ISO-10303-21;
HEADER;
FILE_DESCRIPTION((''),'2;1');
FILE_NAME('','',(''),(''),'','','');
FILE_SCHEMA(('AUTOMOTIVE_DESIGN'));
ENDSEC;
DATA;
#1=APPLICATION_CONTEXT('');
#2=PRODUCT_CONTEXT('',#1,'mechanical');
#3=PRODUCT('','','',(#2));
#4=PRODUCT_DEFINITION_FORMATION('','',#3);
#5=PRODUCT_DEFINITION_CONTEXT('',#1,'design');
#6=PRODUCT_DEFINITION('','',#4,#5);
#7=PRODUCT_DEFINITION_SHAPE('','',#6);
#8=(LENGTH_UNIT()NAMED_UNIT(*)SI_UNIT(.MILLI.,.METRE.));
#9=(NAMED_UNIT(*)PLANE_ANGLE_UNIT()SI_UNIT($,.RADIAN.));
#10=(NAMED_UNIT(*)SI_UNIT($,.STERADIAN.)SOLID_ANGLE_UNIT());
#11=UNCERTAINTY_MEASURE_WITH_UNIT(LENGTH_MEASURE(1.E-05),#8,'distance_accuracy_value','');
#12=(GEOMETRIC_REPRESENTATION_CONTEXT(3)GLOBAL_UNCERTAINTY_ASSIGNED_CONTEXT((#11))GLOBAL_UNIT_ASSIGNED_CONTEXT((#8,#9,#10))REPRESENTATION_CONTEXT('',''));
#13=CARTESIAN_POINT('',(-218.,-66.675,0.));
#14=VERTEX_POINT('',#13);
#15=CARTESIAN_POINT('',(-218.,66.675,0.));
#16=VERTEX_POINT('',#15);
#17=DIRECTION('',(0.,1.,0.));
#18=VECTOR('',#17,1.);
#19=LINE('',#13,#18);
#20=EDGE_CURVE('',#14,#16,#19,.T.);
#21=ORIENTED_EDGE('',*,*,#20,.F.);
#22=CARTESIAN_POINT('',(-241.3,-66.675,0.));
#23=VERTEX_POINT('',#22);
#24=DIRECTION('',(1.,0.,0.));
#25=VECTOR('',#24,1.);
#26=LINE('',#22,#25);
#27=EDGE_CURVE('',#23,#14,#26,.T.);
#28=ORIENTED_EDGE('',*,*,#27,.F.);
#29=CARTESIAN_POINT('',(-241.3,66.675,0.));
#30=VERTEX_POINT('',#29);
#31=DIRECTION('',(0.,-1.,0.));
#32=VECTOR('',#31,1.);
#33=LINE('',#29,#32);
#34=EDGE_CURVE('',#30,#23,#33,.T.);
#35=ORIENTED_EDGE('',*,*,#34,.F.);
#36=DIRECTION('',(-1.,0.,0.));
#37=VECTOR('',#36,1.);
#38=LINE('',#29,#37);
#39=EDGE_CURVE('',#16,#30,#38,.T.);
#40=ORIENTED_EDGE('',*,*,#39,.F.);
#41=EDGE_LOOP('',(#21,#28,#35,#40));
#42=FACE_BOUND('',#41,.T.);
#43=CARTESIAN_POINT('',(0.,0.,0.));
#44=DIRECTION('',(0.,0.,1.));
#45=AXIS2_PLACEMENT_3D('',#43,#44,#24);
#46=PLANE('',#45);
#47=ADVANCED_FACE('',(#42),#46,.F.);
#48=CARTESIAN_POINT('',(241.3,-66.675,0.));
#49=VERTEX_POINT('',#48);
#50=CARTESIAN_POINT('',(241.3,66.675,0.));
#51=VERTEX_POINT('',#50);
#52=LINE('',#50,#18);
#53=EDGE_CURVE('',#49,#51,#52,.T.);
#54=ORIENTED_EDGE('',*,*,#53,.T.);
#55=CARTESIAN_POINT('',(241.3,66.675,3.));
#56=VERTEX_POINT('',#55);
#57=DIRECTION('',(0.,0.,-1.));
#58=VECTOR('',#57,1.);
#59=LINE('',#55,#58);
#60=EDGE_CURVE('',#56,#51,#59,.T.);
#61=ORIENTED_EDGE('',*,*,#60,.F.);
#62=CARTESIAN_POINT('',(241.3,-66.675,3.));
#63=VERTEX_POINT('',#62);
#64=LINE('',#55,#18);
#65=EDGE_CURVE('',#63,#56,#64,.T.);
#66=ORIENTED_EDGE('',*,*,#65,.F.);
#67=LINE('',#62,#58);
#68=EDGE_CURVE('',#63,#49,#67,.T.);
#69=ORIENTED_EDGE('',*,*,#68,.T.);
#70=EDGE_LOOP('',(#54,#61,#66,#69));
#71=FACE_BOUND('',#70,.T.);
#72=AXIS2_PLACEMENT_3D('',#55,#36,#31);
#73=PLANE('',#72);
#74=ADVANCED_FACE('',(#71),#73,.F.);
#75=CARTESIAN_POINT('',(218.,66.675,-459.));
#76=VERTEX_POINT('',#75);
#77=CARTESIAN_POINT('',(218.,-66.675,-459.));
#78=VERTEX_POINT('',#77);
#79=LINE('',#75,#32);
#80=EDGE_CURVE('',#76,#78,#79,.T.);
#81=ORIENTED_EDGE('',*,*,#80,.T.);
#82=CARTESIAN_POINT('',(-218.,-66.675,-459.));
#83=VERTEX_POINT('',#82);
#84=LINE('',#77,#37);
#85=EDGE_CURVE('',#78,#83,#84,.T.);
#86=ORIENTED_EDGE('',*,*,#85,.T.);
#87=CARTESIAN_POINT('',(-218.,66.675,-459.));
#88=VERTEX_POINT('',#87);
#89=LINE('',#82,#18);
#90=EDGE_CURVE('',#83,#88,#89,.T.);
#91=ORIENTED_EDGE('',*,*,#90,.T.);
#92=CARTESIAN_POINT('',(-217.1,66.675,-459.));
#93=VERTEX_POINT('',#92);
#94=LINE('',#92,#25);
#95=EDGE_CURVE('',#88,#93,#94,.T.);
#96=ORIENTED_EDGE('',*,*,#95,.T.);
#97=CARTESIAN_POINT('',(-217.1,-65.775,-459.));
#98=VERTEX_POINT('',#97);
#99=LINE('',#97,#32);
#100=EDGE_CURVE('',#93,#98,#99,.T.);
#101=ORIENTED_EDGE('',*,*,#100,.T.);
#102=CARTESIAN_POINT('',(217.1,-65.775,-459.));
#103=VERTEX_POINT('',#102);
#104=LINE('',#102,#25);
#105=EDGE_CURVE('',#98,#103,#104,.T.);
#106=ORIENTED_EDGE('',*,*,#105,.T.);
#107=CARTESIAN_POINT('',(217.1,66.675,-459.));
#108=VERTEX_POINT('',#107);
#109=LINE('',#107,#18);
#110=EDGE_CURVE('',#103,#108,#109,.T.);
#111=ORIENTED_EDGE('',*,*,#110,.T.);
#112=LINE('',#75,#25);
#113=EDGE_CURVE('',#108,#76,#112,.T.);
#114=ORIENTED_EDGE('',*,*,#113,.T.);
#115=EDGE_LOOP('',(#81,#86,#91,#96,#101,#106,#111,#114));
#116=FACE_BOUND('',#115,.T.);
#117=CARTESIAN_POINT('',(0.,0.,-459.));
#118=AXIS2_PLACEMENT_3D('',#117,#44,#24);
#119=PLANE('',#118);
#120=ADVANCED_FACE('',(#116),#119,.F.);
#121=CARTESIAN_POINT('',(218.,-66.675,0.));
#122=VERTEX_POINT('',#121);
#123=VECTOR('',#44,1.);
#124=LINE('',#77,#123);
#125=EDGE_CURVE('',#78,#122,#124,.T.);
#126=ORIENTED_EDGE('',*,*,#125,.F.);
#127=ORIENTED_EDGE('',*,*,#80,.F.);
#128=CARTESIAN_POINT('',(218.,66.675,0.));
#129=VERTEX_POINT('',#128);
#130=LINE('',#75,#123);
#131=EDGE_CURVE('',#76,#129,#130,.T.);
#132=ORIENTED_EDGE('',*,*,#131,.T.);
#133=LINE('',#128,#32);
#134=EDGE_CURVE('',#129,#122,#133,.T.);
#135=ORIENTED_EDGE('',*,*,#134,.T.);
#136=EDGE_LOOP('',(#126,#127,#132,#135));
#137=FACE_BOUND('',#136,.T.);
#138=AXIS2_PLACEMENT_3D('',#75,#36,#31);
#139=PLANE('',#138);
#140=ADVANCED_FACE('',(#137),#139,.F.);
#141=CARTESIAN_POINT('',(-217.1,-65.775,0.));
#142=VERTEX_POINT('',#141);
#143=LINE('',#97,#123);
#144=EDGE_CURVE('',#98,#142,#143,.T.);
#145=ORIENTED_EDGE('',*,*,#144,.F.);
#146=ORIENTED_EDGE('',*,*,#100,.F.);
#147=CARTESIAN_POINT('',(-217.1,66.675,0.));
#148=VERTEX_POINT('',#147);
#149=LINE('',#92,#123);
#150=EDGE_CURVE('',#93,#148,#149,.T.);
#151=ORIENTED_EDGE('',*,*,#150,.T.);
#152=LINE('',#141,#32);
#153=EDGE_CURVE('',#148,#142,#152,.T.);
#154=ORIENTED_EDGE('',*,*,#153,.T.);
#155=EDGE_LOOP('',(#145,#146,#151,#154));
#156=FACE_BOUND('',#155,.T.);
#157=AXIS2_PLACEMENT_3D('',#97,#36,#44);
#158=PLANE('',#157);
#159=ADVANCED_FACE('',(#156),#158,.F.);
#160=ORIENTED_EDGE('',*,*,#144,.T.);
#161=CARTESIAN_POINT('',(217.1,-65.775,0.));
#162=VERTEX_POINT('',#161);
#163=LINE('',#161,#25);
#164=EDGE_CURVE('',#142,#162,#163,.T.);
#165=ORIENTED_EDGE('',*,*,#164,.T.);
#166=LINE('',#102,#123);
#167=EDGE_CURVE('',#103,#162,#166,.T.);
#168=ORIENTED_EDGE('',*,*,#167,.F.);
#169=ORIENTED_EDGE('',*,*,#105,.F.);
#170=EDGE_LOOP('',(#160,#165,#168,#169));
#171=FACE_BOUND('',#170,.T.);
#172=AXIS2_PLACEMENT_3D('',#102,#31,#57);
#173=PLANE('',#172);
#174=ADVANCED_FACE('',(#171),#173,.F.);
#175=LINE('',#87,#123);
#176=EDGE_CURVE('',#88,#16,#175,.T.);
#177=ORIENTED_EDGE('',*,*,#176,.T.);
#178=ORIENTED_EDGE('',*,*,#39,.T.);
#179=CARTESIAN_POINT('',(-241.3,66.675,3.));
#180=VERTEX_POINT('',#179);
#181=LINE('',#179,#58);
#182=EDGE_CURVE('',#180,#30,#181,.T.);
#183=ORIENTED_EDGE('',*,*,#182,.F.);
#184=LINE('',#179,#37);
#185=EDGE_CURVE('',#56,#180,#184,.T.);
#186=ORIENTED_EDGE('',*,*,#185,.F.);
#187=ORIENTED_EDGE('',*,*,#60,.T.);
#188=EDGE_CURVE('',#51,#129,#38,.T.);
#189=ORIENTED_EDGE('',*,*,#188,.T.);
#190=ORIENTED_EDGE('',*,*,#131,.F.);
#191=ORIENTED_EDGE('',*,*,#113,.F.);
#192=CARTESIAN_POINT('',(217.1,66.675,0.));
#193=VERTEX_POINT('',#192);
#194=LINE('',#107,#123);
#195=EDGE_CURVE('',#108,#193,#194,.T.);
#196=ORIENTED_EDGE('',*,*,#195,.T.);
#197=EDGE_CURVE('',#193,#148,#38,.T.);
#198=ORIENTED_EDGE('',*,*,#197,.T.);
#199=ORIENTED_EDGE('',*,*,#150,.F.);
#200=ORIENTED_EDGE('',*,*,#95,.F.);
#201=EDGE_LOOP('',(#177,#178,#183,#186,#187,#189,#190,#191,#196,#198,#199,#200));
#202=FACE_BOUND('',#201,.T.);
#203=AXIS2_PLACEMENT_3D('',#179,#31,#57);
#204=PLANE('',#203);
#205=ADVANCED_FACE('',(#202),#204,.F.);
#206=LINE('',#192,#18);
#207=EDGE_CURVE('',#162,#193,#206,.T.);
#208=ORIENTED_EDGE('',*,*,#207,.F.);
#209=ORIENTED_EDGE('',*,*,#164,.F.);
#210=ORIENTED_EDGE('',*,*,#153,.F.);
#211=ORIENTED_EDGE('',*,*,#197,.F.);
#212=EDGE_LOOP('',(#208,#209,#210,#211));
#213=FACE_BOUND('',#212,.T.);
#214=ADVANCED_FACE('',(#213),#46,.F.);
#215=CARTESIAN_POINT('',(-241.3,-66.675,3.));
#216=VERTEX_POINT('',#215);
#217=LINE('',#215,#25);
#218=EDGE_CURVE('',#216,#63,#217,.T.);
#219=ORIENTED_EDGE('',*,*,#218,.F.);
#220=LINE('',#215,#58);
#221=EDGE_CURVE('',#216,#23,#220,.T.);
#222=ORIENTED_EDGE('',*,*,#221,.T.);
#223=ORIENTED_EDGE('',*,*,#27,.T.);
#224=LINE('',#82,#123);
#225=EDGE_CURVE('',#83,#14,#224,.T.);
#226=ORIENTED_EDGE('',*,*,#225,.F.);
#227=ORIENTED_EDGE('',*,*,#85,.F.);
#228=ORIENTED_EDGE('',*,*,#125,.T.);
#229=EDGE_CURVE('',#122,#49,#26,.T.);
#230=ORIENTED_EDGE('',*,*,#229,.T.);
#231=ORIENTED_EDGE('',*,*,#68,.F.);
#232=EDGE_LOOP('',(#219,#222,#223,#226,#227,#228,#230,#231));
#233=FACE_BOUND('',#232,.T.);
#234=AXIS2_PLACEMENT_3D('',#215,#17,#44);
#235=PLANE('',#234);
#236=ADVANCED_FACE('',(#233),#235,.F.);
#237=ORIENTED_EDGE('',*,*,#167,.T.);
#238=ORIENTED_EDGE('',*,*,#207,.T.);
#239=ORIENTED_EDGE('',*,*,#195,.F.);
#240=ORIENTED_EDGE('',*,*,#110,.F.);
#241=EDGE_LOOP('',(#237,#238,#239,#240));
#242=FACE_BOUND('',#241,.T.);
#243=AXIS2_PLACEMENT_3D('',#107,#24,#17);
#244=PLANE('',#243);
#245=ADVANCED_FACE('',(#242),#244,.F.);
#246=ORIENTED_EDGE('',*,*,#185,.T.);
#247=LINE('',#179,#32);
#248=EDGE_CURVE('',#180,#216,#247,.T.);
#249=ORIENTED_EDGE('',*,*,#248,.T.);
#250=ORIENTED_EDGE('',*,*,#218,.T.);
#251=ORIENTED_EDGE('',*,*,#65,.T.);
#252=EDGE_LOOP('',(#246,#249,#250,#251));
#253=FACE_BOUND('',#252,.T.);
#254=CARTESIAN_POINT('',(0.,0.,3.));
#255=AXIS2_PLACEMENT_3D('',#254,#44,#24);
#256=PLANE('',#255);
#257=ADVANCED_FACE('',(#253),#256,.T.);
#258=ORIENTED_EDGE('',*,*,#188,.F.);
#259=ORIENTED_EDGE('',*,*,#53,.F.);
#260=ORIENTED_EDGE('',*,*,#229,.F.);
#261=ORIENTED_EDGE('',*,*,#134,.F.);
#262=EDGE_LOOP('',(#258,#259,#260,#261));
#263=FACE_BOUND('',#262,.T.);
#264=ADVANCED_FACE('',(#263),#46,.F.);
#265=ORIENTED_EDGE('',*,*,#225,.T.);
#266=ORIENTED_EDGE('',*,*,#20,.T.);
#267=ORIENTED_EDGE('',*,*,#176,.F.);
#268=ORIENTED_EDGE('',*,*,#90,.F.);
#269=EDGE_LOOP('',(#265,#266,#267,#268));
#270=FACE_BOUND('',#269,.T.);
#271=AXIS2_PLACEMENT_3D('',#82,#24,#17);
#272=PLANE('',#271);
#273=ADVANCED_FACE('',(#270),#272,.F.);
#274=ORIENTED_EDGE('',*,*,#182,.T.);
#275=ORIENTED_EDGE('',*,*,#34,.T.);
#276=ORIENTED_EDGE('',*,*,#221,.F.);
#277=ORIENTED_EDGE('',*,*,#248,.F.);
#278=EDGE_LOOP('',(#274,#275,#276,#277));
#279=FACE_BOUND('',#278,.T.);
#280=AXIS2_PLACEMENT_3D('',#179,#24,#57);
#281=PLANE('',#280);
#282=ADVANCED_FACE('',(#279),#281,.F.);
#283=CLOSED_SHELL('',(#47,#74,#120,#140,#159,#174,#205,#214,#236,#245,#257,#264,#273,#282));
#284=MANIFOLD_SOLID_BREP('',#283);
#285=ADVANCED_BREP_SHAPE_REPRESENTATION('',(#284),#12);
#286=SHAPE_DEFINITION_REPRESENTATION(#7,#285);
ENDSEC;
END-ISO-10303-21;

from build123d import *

# Parameters (mm, degrees)
SKETCH1_W           = 482.6
SKETCH1_H           = 133.35
FRONT_PANEL_DEPTH   = 3
BOSS_EXTRUDE2_DEPTH = 459


with BuildPart() as part:
    # Sketch1 → Front panel (new body)
    with BuildSketch(Plane.XY):
        Rectangle(SKETCH1_W, SKETCH1_H)
    extrude(amount=FRONT_PANEL_DEPTH)

    # Sketch2 → Boss-Extrude2 (add)
    with BuildSketch(Plane(origin=(0, 0, 0), x_dir=(-1, 0, 0), z_dir=(0, 0, -1))):
        Polygon((-218, 66.675), (-218, -66.675), (218, -66.675), (218, 66.675), (217.1, 66.675), (217.1, -65.775), (-217.1, -65.775), (-217.1, 66.675), align=None)
    extrude(amount=BOSS_EXTRUDE2_DEPTH)


solid = part.part
